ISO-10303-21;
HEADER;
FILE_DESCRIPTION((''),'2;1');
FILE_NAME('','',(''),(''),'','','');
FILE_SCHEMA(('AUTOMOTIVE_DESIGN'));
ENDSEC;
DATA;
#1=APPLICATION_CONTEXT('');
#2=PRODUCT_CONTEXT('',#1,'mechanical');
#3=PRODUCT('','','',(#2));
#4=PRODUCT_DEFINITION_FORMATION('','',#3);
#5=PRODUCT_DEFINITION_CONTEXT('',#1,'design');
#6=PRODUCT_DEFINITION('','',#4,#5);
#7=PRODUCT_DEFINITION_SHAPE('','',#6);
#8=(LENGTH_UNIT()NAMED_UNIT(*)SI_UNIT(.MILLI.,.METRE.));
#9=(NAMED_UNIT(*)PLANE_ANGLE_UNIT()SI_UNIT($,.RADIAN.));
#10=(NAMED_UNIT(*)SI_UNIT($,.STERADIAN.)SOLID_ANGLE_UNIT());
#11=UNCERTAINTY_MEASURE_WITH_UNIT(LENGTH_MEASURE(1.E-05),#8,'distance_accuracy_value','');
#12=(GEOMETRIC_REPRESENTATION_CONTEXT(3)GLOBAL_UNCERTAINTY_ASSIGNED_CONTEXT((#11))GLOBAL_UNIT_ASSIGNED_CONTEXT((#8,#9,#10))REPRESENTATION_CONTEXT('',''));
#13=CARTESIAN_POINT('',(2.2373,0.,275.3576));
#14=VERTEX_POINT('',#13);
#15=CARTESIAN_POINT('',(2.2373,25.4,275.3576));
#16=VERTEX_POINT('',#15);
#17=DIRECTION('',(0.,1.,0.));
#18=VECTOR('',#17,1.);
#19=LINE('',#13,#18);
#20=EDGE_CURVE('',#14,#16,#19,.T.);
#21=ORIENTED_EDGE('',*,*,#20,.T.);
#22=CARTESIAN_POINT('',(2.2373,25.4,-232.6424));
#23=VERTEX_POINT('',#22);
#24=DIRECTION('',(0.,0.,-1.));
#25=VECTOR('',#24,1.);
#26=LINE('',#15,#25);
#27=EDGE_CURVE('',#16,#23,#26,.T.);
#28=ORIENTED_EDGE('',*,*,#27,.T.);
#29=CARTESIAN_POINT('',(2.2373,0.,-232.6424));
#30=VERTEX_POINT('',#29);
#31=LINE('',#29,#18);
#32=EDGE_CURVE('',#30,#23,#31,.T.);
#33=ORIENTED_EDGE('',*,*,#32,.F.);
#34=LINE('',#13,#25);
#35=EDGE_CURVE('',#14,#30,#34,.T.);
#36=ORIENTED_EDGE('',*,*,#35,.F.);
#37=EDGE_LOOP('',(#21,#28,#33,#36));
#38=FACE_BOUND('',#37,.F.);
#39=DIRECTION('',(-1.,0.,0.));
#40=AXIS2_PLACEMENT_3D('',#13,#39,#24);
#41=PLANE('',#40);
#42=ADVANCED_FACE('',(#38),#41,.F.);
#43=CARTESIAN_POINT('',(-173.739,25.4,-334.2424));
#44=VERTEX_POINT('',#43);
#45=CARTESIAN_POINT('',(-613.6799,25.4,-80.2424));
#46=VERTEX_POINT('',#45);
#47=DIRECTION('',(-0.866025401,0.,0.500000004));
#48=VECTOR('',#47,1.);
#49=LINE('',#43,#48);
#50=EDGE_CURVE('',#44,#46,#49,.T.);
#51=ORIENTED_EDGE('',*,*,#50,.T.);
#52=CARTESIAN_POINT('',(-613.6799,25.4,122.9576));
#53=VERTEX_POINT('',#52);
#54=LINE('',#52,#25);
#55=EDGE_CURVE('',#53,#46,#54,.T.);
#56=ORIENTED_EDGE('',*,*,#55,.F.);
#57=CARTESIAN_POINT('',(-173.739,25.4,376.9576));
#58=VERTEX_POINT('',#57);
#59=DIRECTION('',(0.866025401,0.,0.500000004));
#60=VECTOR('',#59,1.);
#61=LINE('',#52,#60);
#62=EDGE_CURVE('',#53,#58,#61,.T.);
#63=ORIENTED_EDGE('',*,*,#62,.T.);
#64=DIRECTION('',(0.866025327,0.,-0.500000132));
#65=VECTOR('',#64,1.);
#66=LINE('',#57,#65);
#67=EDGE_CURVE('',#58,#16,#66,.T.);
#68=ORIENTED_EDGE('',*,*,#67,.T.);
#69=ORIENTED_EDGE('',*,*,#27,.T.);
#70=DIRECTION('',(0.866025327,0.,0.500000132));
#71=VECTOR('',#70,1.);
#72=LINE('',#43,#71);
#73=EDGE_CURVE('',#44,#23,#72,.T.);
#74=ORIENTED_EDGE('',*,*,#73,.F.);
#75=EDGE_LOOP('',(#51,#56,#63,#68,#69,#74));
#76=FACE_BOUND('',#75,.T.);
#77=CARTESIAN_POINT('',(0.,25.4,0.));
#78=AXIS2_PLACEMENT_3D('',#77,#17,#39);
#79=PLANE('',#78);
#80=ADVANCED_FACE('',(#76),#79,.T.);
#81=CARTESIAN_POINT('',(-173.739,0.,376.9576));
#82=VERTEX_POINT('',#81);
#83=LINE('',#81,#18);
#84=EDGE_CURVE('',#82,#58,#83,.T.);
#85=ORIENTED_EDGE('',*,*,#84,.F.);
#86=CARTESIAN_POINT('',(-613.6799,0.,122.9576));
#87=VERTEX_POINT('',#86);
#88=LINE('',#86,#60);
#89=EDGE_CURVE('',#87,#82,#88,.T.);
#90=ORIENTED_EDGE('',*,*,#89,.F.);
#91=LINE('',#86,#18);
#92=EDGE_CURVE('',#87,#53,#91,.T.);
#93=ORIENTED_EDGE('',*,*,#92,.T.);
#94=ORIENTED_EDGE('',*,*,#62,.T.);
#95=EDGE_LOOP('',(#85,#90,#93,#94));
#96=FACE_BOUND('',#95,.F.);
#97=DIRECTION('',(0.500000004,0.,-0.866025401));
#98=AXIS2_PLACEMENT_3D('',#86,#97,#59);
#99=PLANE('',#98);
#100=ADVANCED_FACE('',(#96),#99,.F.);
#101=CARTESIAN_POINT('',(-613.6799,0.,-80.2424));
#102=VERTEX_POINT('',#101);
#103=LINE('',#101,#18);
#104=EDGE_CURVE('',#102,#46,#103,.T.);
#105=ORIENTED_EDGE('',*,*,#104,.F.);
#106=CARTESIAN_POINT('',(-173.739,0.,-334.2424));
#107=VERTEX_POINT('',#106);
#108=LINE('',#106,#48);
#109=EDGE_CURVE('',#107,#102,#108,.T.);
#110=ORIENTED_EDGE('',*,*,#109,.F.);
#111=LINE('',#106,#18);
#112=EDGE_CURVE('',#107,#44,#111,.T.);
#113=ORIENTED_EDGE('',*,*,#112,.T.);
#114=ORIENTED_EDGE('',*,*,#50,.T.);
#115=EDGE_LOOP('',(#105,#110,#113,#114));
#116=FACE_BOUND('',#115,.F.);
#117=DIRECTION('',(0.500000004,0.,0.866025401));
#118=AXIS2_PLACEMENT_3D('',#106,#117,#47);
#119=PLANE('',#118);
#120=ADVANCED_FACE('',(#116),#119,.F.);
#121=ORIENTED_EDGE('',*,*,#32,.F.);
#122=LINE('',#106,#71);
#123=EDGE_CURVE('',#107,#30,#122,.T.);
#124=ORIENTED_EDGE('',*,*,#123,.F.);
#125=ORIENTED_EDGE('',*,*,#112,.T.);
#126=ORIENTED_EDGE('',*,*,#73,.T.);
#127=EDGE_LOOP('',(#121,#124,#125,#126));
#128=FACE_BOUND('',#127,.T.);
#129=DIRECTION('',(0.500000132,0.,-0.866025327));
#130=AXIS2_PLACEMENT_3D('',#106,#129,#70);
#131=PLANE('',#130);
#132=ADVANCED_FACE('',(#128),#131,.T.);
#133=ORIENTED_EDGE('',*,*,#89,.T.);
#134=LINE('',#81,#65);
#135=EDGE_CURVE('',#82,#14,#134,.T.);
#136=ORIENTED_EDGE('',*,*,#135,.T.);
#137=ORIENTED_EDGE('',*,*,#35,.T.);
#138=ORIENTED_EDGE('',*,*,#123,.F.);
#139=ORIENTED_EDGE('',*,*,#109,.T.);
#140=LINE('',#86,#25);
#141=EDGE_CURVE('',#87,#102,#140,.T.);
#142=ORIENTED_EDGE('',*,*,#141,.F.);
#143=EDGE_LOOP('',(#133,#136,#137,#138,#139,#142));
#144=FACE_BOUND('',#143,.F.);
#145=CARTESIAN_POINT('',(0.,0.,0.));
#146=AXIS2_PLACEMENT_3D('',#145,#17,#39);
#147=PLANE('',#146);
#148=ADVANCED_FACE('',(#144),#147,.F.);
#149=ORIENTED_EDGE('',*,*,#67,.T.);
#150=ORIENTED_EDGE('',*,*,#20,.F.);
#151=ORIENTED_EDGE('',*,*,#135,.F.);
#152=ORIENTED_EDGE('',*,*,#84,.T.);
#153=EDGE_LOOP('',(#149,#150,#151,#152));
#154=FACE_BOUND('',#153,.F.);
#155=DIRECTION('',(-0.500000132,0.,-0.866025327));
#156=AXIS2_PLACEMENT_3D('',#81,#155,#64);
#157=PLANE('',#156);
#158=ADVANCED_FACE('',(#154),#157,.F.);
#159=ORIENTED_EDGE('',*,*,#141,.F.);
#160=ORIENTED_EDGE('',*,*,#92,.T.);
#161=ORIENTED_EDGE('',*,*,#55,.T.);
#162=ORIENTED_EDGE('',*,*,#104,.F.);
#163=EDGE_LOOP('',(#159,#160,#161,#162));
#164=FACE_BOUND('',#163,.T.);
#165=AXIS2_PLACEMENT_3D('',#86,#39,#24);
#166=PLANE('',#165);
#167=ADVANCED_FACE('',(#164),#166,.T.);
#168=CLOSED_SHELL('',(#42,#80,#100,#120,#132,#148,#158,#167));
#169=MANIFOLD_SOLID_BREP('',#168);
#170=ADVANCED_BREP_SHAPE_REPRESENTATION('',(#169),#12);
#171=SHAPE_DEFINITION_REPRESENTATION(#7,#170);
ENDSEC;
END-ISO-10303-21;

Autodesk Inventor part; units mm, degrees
ref_plane "YZ Plane" through (0, 0, 0) normal (1, 0, 0) x (0, 1, 0)
ref_plane "XZ Plane" through (0, 0, 0) normal (0, 1, 0) x (-1, 0, 0)
ref_plane "XY Plane" through (0, 0, 0) normal (0, 0, 1) x (1, 0, 0)
sketch "Sketch1" plane through (0, 0, 0) normal (0, 1, 0) x (-1, 0, 0)
  line L0 (613.6799, 122.9576) -> (173.739, 376.9576)
  line L1 (173.739, -334.2424) -> (613.6799, -80.2424)
  line L2 (613.6799, 122.9576) -> (613.6799, -80.2424)
  line L3 (173.739, 376.9576) -> (-2.2373, 275.3576)
  line L4 (173.739, -334.2424) -> (-2.2373, -232.6424)
  line L5 (-2.2373, 275.3576) -> (-2.2373, -232.6424)
  dimension "d0" = 203.2
  dimension "d6" = 508
extrude "Extrusion1" add sketch "Sketch1" along normal blind 25.4
properties part number "Platform" material "Steel"
